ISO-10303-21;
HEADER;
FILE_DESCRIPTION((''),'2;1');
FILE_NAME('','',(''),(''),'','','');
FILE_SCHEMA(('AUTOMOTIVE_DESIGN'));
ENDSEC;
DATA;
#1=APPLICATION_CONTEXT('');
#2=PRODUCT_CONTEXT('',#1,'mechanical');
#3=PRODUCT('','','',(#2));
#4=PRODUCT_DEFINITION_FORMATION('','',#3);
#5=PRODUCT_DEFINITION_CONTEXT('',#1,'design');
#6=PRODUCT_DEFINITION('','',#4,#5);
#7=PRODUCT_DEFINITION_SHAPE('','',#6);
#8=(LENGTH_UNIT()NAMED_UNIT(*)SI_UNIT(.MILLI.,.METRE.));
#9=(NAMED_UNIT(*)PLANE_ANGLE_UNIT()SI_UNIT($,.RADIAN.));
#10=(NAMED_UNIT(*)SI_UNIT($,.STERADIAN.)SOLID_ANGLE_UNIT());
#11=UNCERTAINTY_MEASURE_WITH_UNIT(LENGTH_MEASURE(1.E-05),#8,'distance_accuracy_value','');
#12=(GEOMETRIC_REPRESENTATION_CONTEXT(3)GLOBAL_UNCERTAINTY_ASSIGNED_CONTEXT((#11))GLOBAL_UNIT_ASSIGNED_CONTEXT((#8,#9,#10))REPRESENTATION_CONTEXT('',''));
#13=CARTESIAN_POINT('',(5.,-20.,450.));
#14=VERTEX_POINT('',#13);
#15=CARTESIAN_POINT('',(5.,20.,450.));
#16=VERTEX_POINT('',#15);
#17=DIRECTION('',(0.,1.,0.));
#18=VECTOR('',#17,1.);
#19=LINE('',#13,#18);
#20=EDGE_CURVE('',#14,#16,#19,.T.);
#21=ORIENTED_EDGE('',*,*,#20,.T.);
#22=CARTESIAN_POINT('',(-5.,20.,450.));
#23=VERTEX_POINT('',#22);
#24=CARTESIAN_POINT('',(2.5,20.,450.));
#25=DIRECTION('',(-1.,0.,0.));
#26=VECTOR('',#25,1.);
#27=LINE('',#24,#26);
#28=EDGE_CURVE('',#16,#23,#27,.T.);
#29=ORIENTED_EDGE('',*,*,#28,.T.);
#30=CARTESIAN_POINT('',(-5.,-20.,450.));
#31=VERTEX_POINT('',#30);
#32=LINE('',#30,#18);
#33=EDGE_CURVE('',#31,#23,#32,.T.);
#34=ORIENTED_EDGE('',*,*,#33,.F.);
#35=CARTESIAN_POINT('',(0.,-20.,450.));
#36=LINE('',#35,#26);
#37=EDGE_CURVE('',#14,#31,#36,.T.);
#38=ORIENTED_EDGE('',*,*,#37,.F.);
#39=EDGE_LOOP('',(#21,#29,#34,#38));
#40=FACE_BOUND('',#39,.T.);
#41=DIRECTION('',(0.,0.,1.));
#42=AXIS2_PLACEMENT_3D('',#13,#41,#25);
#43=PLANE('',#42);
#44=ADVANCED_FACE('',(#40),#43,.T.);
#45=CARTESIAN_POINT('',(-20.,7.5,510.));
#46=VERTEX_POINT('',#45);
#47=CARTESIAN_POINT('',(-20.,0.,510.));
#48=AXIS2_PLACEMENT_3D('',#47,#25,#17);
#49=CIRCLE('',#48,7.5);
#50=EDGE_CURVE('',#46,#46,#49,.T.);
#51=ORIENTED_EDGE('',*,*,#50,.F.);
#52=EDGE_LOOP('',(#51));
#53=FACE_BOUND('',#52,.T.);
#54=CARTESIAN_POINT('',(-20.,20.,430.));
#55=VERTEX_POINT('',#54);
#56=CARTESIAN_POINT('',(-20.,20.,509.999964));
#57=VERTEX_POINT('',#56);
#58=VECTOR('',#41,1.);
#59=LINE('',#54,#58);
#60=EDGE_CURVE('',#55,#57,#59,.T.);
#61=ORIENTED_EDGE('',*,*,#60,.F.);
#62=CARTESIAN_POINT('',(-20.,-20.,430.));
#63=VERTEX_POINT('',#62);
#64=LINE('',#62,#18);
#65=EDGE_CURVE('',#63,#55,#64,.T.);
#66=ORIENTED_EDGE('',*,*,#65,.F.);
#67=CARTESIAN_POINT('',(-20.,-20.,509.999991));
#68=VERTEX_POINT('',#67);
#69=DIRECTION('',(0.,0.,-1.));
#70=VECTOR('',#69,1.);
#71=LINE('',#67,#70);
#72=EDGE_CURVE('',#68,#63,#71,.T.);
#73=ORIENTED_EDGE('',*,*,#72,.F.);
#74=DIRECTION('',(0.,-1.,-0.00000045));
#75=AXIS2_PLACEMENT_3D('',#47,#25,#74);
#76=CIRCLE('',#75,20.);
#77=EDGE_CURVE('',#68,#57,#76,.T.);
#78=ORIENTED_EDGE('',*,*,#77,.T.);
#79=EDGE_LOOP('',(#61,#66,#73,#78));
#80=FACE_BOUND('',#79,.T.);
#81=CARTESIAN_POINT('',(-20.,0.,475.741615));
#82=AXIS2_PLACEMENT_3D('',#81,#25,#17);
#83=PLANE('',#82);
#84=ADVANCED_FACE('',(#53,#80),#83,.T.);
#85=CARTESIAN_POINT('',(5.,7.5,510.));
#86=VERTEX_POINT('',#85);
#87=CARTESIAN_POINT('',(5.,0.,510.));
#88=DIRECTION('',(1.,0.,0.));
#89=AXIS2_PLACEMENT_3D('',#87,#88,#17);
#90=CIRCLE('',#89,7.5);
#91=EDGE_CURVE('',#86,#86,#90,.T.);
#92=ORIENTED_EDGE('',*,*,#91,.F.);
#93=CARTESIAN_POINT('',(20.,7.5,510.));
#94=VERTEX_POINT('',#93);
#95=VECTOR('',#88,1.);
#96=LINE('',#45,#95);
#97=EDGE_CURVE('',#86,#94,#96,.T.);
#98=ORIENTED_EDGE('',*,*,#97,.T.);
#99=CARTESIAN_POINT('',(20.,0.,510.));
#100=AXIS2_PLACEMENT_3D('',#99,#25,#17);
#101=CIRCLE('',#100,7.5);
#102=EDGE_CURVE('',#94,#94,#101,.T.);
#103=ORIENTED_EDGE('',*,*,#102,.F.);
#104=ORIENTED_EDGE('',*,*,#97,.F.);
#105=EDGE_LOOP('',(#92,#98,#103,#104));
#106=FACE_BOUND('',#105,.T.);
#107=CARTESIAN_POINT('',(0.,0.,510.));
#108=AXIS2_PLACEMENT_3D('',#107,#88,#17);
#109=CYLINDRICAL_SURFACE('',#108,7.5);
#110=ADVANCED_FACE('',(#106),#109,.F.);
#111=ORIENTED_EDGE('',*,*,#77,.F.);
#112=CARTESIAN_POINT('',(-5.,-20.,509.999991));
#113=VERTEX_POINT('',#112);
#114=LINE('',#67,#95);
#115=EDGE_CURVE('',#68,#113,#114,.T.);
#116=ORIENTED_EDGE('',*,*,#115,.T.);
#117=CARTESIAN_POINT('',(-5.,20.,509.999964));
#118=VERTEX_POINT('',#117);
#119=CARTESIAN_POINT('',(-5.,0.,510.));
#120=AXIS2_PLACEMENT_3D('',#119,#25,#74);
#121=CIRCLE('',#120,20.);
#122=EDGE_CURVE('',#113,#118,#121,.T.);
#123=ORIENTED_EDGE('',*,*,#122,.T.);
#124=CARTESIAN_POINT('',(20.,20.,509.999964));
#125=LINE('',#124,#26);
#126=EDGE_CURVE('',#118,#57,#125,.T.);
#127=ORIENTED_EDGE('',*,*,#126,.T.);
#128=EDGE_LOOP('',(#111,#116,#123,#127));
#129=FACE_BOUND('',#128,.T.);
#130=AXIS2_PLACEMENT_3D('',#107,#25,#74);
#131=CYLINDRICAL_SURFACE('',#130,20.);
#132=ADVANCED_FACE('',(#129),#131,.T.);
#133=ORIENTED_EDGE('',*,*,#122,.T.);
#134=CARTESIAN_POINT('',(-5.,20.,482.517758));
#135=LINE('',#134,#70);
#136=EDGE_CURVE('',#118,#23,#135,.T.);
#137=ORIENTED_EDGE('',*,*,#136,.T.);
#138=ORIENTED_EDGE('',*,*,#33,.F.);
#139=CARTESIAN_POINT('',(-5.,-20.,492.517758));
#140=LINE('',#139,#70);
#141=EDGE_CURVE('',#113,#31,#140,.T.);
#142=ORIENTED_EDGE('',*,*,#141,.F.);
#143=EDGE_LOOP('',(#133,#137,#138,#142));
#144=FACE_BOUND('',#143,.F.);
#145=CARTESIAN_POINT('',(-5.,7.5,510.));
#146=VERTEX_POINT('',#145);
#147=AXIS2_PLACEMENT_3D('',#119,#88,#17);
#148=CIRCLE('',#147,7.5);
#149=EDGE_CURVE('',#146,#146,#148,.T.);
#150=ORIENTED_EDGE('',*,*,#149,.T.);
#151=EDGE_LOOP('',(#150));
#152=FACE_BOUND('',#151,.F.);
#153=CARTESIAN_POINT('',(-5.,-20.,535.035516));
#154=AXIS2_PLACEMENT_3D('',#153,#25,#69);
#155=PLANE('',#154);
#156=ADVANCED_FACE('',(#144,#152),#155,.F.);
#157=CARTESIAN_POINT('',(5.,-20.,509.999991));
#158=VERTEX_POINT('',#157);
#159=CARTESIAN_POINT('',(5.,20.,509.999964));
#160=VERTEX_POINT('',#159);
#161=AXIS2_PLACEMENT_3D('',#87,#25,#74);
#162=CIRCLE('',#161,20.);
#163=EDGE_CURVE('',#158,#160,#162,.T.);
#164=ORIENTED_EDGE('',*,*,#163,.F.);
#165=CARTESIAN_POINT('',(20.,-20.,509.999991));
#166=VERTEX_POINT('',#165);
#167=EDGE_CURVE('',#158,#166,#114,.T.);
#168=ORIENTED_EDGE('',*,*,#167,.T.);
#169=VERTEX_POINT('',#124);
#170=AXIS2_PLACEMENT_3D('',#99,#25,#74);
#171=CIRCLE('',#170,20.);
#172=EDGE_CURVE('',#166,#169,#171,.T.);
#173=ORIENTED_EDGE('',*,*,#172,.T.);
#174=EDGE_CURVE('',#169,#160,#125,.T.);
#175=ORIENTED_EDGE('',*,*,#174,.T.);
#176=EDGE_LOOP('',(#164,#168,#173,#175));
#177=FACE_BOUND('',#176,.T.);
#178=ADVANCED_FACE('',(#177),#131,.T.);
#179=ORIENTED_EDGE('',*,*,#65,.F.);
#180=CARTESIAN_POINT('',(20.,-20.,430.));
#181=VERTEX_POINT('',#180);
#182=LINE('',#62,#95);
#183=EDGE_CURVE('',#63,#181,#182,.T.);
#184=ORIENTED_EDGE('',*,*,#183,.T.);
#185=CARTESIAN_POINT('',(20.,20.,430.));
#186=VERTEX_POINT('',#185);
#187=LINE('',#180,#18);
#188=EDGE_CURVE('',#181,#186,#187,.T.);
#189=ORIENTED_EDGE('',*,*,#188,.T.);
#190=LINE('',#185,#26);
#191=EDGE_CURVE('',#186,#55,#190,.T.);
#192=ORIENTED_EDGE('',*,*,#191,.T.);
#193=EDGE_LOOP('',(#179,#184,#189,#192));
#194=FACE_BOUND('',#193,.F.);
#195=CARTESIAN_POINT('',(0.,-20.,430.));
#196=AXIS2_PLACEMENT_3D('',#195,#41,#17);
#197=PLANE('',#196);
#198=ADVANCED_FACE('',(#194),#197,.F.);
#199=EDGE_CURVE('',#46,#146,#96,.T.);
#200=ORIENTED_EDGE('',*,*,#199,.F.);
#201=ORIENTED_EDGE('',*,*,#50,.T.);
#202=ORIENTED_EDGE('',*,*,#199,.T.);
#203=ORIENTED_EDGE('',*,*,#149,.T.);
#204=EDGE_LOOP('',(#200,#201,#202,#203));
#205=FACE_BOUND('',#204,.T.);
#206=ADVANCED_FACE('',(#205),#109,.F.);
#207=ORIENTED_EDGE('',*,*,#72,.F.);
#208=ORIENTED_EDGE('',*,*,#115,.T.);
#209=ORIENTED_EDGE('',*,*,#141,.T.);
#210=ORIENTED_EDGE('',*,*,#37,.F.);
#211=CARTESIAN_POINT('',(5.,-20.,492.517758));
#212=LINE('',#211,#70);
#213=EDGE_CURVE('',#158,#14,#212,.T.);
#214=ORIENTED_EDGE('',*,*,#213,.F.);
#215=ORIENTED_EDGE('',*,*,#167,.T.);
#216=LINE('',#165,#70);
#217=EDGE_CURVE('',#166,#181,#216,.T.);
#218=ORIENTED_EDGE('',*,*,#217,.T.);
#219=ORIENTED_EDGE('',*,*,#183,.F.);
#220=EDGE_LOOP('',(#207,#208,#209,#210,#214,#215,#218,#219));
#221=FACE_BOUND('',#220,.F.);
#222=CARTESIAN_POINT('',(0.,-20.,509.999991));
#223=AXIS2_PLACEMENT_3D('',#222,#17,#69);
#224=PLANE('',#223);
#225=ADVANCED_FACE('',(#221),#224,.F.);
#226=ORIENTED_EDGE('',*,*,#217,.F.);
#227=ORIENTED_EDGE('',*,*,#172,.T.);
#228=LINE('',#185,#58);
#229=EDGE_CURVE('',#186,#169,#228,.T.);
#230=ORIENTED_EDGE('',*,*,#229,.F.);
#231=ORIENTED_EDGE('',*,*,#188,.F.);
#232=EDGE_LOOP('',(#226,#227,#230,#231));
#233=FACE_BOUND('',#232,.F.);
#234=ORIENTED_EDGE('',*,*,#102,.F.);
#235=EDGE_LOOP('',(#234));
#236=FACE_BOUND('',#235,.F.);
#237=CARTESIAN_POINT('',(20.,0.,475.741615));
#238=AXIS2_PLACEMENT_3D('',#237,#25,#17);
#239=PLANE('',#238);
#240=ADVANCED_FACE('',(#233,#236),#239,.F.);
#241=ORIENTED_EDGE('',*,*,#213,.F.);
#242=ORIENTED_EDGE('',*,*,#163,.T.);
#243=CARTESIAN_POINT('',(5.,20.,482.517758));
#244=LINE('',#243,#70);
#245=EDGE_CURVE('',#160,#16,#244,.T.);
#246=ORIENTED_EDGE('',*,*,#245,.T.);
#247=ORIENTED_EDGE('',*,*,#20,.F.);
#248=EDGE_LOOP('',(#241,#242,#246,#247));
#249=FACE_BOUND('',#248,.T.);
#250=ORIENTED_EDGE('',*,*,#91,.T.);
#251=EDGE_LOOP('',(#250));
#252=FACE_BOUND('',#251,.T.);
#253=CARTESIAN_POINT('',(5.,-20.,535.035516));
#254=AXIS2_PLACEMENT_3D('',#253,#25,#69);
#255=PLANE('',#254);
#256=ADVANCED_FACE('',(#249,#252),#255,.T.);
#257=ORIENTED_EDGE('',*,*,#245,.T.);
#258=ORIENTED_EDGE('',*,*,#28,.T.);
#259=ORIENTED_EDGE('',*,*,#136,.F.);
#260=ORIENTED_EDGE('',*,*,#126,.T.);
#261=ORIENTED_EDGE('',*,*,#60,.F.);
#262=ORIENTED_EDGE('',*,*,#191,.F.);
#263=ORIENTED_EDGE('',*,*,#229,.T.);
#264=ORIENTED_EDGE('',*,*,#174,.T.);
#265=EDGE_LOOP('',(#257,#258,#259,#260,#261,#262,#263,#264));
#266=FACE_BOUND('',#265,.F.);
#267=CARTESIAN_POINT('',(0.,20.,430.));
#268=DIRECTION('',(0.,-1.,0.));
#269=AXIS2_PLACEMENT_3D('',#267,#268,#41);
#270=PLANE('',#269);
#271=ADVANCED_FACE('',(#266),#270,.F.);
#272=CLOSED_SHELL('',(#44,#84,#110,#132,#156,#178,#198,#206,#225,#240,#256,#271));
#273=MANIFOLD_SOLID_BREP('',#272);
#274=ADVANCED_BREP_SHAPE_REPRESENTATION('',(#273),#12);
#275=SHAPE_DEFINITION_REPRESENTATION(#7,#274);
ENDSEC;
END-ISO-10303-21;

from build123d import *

# Parameters (mm, degrees)
SKETCH007_W           = 10
SKETCH007_H           = 85.035517
EXTRUDE007_DEPTH      = 50
SKETCH006_R           = 7.5
EXTRUDE006_DEPTH      = 20
CLONE_PLACEMENT_ANGLE = 180


with BuildPart() as extrude007:
    # Sketch007 → Extrude007 (new body)
    with BuildSketch(Plane.XZ.offset(20)):
        with Locations((0, 17.482242)):
            Rectangle(SKETCH007_W, SKETCH007_H)
    extrude(amount=-EXTRUDE007_DEPTH)


with BuildPart() as cut003:
    # Sketch006 → Extrude006 (new body, symmetric)
    with BuildSketch(Plane.YZ):
        with BuildLine():
            ThreePointArc((-20, 9e-06), (1.3e-05, -20), (20, 3.6e-05))
            Line((20, 80), (20, 3.6e-05))
            Line((-20, 80), (20, 80))
            Line((-20, 9e-06), (-20, 80))
        make_face()
        Circle(SKETCH006_R, mode=Mode.SUBTRACT)
    extrude(amount=EXTRUDE006_DEPTH, both=True)

    # Cut002: cut Extrude007
    add(extrude007.part, mode=Mode.SUBTRACT)


with BuildPart() as cut003_1:
    # Clone placement: moved
    add(cut003.part.moved(Location((0, 0, 510))).rotate(Axis((0, 0, 510), (0, 1, 0)), CLONE_PLACEMENT_ANGLE))


solid = cut003_1.part
